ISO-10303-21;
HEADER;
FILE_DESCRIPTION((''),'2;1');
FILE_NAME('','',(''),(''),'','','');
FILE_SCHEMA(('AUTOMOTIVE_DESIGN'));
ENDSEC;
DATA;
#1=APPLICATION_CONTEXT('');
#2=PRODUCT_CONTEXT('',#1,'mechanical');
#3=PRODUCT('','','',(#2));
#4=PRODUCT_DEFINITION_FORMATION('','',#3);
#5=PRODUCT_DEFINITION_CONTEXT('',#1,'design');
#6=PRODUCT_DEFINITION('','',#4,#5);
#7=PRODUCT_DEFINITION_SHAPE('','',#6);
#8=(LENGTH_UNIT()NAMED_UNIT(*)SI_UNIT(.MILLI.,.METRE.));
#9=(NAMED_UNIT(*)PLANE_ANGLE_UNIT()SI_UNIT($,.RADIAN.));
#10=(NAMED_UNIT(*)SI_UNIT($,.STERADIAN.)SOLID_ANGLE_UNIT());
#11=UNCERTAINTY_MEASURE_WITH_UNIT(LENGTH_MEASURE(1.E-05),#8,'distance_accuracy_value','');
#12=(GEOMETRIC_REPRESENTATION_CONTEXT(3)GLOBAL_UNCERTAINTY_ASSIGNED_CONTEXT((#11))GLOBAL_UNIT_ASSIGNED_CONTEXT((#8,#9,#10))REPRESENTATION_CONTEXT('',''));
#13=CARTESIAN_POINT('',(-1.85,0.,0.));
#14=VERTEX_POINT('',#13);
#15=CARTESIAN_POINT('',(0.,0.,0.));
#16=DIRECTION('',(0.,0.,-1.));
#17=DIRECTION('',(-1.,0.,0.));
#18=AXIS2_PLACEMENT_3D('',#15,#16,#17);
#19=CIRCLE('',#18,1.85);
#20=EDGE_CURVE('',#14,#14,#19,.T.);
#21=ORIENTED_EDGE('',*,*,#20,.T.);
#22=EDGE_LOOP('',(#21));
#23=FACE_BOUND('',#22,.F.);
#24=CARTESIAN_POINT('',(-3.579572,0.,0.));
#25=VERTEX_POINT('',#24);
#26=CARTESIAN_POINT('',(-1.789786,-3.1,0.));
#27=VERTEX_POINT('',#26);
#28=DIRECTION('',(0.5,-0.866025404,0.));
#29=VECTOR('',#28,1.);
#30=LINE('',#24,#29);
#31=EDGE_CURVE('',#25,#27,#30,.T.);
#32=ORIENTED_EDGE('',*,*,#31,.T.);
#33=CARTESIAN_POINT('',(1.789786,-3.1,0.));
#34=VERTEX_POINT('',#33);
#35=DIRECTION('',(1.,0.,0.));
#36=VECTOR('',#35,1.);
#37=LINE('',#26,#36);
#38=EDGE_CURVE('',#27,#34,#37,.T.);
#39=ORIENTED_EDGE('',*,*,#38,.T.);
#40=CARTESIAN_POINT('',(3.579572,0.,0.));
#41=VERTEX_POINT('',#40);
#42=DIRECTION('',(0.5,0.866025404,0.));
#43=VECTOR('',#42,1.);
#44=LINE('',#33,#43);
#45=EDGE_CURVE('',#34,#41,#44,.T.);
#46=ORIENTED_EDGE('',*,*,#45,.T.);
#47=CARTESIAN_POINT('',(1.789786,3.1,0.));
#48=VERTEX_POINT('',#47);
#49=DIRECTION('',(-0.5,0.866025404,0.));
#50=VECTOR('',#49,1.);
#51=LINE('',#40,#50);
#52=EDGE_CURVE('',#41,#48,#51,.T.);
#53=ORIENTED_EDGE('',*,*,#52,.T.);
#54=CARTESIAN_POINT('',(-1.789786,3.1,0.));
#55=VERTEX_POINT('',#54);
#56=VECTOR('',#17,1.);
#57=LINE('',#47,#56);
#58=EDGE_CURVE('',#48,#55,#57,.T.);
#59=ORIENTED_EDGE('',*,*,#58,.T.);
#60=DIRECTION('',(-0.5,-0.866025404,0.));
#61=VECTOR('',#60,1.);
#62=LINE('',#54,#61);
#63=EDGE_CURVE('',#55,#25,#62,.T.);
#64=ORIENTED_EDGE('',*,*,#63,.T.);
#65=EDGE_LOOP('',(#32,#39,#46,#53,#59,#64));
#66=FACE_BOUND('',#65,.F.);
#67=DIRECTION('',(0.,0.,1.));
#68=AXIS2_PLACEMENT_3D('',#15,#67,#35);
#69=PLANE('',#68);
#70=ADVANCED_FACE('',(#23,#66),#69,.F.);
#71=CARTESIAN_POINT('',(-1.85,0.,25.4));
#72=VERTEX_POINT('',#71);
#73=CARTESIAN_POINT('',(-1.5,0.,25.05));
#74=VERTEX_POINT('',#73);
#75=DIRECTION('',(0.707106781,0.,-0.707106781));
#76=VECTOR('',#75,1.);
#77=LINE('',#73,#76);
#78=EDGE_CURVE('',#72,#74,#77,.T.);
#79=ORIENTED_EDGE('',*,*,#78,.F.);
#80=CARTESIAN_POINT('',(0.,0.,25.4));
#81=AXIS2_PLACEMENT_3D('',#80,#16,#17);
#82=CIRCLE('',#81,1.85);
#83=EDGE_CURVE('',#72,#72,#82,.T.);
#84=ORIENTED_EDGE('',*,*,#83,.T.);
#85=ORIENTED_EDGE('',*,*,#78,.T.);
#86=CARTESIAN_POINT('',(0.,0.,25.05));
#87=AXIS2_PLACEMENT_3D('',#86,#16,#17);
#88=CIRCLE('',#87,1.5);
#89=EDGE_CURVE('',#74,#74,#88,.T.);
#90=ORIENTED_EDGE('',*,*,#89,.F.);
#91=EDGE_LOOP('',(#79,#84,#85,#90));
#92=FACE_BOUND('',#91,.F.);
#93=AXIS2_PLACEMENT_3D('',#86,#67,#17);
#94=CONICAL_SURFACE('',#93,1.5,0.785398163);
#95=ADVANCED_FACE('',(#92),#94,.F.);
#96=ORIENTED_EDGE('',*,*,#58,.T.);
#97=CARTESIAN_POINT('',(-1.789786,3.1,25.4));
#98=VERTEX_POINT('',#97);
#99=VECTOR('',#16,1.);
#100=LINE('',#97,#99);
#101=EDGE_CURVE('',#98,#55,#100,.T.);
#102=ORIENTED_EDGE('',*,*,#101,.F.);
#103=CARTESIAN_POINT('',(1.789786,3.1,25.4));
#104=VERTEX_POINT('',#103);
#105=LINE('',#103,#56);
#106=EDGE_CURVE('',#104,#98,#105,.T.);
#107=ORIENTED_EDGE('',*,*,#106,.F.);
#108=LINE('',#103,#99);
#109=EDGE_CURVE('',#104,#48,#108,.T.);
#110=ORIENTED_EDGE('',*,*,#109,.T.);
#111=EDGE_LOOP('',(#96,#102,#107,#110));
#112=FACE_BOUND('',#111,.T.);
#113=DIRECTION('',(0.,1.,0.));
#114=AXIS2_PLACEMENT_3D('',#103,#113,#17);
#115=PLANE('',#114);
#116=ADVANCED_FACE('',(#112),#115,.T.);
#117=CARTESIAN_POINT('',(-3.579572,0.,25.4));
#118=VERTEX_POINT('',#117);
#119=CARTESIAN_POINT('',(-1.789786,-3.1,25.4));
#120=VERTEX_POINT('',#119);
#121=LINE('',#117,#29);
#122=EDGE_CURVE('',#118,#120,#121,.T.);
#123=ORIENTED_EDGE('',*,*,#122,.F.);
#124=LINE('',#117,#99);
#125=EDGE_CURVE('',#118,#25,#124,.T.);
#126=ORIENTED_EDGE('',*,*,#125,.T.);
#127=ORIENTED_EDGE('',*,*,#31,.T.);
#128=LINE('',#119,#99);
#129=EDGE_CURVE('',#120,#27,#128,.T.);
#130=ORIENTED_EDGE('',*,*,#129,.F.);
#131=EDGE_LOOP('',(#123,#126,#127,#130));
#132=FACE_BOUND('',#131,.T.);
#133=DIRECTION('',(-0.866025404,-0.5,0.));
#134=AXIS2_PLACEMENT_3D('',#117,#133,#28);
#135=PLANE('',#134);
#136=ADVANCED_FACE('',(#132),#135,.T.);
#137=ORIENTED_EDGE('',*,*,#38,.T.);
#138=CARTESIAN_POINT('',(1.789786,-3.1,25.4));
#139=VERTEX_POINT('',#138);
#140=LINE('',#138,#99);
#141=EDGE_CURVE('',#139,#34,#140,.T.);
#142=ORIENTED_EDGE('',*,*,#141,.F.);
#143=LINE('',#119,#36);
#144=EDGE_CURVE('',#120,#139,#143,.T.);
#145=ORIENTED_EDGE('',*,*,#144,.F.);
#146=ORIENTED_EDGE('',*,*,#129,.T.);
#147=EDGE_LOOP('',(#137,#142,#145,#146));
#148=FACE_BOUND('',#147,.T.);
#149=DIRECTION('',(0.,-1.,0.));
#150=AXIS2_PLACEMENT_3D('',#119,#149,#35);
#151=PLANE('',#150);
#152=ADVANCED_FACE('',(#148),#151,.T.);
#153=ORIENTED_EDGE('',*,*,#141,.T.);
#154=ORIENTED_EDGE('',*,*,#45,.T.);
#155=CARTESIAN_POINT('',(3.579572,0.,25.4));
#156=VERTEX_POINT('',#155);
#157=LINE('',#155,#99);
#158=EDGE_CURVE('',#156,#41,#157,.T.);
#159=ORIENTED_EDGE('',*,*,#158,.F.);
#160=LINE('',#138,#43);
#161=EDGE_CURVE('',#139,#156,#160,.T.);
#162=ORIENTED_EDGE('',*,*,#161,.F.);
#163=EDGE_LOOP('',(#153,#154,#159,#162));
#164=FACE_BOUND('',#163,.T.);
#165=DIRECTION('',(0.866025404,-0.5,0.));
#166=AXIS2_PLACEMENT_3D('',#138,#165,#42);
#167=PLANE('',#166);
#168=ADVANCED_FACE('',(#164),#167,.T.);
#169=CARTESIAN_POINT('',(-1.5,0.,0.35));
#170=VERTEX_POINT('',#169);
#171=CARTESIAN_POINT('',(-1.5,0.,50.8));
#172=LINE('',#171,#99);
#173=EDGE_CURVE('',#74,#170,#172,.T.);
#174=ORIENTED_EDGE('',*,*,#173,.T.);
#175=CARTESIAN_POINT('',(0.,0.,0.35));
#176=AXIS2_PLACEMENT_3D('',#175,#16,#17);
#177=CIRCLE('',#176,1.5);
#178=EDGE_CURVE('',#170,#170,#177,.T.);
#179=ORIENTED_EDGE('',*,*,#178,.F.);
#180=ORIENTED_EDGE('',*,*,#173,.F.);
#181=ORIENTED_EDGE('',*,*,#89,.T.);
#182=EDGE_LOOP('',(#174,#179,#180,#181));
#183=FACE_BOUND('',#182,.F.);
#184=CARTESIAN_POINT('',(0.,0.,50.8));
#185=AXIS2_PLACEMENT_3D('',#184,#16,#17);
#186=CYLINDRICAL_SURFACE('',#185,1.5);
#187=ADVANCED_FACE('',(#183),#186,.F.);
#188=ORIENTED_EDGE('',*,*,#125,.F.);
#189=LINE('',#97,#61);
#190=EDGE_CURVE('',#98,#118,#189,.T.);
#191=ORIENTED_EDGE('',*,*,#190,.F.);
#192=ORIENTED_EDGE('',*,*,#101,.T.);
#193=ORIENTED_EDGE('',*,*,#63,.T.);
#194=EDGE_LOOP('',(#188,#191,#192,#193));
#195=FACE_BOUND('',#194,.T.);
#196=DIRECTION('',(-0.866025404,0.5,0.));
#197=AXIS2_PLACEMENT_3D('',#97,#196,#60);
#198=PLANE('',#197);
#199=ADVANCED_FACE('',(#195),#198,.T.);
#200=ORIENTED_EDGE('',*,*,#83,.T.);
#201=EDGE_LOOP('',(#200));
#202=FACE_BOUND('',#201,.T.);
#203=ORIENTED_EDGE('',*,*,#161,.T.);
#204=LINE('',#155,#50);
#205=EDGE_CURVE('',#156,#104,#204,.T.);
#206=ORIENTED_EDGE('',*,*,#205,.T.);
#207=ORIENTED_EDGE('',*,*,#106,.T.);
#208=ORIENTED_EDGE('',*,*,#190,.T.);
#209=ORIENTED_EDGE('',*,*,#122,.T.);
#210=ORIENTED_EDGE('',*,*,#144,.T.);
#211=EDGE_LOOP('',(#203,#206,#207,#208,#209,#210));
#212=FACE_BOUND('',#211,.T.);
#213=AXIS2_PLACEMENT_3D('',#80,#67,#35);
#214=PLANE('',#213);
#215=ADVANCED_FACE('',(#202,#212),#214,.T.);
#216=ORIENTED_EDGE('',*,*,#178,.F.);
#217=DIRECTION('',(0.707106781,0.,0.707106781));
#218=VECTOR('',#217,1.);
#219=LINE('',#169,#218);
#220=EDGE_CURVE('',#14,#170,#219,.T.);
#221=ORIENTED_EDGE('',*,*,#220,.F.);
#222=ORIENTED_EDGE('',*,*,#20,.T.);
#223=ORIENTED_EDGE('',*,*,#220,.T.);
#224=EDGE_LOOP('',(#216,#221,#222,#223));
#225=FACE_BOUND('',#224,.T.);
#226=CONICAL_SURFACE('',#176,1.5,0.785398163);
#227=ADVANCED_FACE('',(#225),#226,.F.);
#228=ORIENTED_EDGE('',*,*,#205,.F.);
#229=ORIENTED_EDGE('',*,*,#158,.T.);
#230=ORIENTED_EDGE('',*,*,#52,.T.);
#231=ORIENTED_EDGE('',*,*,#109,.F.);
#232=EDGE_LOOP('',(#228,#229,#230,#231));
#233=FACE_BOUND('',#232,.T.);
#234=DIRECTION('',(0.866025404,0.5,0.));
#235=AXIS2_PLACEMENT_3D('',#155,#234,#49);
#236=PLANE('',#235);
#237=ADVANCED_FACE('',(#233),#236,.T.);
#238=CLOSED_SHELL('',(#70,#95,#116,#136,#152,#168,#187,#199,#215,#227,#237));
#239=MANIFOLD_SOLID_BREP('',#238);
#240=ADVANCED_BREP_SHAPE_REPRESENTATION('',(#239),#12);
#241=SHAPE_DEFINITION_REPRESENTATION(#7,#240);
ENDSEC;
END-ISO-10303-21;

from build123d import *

# Parameters (mm, degrees)
BOSS_EXTRUDE1_DEPTH          = 25.4
F_3_0_3_DIAMETER_HOLE1_D     = 3
F_3_0_3_DIAMETER_HOLE1_DEPTH = 25.4
CHAMFER1_SIZE                = 0.35


with BuildPart() as part:
    # Sketch1 → Boss-Extrude1 (new body)
    with BuildSketch(Plane.XY.offset(25.4)):
        Polygon((-3.579571669, 0), (-1.789785834, -3.1), (1.789785834, -3.1), (3.579571669, 0), (1.789785834, 3.1), (-1.789785834, 3.1), align=None)
    extrude(amount=-BOSS_EXTRUDE1_DEPTH)

    # Ø3.0 (3) Diameter Hole1
    with Locations(Plane.XY.offset(25.4)):
        with Locations((0, 0)):
            Hole(F_3_0_3_DIAMETER_HOLE1_D / 2, depth=F_3_0_3_DIAMETER_HOLE1_DEPTH)

    # Chamfer1
    chamfer1_edges = [part.edges().sort_by_distance(p)[0] for p in [
        (1.5, 0, 25.4),
        (1.5, 0, 0),
    ]]
    chamfer(chamfer1_edges, length=CHAMFER1_SIZE)


solid = part.part
